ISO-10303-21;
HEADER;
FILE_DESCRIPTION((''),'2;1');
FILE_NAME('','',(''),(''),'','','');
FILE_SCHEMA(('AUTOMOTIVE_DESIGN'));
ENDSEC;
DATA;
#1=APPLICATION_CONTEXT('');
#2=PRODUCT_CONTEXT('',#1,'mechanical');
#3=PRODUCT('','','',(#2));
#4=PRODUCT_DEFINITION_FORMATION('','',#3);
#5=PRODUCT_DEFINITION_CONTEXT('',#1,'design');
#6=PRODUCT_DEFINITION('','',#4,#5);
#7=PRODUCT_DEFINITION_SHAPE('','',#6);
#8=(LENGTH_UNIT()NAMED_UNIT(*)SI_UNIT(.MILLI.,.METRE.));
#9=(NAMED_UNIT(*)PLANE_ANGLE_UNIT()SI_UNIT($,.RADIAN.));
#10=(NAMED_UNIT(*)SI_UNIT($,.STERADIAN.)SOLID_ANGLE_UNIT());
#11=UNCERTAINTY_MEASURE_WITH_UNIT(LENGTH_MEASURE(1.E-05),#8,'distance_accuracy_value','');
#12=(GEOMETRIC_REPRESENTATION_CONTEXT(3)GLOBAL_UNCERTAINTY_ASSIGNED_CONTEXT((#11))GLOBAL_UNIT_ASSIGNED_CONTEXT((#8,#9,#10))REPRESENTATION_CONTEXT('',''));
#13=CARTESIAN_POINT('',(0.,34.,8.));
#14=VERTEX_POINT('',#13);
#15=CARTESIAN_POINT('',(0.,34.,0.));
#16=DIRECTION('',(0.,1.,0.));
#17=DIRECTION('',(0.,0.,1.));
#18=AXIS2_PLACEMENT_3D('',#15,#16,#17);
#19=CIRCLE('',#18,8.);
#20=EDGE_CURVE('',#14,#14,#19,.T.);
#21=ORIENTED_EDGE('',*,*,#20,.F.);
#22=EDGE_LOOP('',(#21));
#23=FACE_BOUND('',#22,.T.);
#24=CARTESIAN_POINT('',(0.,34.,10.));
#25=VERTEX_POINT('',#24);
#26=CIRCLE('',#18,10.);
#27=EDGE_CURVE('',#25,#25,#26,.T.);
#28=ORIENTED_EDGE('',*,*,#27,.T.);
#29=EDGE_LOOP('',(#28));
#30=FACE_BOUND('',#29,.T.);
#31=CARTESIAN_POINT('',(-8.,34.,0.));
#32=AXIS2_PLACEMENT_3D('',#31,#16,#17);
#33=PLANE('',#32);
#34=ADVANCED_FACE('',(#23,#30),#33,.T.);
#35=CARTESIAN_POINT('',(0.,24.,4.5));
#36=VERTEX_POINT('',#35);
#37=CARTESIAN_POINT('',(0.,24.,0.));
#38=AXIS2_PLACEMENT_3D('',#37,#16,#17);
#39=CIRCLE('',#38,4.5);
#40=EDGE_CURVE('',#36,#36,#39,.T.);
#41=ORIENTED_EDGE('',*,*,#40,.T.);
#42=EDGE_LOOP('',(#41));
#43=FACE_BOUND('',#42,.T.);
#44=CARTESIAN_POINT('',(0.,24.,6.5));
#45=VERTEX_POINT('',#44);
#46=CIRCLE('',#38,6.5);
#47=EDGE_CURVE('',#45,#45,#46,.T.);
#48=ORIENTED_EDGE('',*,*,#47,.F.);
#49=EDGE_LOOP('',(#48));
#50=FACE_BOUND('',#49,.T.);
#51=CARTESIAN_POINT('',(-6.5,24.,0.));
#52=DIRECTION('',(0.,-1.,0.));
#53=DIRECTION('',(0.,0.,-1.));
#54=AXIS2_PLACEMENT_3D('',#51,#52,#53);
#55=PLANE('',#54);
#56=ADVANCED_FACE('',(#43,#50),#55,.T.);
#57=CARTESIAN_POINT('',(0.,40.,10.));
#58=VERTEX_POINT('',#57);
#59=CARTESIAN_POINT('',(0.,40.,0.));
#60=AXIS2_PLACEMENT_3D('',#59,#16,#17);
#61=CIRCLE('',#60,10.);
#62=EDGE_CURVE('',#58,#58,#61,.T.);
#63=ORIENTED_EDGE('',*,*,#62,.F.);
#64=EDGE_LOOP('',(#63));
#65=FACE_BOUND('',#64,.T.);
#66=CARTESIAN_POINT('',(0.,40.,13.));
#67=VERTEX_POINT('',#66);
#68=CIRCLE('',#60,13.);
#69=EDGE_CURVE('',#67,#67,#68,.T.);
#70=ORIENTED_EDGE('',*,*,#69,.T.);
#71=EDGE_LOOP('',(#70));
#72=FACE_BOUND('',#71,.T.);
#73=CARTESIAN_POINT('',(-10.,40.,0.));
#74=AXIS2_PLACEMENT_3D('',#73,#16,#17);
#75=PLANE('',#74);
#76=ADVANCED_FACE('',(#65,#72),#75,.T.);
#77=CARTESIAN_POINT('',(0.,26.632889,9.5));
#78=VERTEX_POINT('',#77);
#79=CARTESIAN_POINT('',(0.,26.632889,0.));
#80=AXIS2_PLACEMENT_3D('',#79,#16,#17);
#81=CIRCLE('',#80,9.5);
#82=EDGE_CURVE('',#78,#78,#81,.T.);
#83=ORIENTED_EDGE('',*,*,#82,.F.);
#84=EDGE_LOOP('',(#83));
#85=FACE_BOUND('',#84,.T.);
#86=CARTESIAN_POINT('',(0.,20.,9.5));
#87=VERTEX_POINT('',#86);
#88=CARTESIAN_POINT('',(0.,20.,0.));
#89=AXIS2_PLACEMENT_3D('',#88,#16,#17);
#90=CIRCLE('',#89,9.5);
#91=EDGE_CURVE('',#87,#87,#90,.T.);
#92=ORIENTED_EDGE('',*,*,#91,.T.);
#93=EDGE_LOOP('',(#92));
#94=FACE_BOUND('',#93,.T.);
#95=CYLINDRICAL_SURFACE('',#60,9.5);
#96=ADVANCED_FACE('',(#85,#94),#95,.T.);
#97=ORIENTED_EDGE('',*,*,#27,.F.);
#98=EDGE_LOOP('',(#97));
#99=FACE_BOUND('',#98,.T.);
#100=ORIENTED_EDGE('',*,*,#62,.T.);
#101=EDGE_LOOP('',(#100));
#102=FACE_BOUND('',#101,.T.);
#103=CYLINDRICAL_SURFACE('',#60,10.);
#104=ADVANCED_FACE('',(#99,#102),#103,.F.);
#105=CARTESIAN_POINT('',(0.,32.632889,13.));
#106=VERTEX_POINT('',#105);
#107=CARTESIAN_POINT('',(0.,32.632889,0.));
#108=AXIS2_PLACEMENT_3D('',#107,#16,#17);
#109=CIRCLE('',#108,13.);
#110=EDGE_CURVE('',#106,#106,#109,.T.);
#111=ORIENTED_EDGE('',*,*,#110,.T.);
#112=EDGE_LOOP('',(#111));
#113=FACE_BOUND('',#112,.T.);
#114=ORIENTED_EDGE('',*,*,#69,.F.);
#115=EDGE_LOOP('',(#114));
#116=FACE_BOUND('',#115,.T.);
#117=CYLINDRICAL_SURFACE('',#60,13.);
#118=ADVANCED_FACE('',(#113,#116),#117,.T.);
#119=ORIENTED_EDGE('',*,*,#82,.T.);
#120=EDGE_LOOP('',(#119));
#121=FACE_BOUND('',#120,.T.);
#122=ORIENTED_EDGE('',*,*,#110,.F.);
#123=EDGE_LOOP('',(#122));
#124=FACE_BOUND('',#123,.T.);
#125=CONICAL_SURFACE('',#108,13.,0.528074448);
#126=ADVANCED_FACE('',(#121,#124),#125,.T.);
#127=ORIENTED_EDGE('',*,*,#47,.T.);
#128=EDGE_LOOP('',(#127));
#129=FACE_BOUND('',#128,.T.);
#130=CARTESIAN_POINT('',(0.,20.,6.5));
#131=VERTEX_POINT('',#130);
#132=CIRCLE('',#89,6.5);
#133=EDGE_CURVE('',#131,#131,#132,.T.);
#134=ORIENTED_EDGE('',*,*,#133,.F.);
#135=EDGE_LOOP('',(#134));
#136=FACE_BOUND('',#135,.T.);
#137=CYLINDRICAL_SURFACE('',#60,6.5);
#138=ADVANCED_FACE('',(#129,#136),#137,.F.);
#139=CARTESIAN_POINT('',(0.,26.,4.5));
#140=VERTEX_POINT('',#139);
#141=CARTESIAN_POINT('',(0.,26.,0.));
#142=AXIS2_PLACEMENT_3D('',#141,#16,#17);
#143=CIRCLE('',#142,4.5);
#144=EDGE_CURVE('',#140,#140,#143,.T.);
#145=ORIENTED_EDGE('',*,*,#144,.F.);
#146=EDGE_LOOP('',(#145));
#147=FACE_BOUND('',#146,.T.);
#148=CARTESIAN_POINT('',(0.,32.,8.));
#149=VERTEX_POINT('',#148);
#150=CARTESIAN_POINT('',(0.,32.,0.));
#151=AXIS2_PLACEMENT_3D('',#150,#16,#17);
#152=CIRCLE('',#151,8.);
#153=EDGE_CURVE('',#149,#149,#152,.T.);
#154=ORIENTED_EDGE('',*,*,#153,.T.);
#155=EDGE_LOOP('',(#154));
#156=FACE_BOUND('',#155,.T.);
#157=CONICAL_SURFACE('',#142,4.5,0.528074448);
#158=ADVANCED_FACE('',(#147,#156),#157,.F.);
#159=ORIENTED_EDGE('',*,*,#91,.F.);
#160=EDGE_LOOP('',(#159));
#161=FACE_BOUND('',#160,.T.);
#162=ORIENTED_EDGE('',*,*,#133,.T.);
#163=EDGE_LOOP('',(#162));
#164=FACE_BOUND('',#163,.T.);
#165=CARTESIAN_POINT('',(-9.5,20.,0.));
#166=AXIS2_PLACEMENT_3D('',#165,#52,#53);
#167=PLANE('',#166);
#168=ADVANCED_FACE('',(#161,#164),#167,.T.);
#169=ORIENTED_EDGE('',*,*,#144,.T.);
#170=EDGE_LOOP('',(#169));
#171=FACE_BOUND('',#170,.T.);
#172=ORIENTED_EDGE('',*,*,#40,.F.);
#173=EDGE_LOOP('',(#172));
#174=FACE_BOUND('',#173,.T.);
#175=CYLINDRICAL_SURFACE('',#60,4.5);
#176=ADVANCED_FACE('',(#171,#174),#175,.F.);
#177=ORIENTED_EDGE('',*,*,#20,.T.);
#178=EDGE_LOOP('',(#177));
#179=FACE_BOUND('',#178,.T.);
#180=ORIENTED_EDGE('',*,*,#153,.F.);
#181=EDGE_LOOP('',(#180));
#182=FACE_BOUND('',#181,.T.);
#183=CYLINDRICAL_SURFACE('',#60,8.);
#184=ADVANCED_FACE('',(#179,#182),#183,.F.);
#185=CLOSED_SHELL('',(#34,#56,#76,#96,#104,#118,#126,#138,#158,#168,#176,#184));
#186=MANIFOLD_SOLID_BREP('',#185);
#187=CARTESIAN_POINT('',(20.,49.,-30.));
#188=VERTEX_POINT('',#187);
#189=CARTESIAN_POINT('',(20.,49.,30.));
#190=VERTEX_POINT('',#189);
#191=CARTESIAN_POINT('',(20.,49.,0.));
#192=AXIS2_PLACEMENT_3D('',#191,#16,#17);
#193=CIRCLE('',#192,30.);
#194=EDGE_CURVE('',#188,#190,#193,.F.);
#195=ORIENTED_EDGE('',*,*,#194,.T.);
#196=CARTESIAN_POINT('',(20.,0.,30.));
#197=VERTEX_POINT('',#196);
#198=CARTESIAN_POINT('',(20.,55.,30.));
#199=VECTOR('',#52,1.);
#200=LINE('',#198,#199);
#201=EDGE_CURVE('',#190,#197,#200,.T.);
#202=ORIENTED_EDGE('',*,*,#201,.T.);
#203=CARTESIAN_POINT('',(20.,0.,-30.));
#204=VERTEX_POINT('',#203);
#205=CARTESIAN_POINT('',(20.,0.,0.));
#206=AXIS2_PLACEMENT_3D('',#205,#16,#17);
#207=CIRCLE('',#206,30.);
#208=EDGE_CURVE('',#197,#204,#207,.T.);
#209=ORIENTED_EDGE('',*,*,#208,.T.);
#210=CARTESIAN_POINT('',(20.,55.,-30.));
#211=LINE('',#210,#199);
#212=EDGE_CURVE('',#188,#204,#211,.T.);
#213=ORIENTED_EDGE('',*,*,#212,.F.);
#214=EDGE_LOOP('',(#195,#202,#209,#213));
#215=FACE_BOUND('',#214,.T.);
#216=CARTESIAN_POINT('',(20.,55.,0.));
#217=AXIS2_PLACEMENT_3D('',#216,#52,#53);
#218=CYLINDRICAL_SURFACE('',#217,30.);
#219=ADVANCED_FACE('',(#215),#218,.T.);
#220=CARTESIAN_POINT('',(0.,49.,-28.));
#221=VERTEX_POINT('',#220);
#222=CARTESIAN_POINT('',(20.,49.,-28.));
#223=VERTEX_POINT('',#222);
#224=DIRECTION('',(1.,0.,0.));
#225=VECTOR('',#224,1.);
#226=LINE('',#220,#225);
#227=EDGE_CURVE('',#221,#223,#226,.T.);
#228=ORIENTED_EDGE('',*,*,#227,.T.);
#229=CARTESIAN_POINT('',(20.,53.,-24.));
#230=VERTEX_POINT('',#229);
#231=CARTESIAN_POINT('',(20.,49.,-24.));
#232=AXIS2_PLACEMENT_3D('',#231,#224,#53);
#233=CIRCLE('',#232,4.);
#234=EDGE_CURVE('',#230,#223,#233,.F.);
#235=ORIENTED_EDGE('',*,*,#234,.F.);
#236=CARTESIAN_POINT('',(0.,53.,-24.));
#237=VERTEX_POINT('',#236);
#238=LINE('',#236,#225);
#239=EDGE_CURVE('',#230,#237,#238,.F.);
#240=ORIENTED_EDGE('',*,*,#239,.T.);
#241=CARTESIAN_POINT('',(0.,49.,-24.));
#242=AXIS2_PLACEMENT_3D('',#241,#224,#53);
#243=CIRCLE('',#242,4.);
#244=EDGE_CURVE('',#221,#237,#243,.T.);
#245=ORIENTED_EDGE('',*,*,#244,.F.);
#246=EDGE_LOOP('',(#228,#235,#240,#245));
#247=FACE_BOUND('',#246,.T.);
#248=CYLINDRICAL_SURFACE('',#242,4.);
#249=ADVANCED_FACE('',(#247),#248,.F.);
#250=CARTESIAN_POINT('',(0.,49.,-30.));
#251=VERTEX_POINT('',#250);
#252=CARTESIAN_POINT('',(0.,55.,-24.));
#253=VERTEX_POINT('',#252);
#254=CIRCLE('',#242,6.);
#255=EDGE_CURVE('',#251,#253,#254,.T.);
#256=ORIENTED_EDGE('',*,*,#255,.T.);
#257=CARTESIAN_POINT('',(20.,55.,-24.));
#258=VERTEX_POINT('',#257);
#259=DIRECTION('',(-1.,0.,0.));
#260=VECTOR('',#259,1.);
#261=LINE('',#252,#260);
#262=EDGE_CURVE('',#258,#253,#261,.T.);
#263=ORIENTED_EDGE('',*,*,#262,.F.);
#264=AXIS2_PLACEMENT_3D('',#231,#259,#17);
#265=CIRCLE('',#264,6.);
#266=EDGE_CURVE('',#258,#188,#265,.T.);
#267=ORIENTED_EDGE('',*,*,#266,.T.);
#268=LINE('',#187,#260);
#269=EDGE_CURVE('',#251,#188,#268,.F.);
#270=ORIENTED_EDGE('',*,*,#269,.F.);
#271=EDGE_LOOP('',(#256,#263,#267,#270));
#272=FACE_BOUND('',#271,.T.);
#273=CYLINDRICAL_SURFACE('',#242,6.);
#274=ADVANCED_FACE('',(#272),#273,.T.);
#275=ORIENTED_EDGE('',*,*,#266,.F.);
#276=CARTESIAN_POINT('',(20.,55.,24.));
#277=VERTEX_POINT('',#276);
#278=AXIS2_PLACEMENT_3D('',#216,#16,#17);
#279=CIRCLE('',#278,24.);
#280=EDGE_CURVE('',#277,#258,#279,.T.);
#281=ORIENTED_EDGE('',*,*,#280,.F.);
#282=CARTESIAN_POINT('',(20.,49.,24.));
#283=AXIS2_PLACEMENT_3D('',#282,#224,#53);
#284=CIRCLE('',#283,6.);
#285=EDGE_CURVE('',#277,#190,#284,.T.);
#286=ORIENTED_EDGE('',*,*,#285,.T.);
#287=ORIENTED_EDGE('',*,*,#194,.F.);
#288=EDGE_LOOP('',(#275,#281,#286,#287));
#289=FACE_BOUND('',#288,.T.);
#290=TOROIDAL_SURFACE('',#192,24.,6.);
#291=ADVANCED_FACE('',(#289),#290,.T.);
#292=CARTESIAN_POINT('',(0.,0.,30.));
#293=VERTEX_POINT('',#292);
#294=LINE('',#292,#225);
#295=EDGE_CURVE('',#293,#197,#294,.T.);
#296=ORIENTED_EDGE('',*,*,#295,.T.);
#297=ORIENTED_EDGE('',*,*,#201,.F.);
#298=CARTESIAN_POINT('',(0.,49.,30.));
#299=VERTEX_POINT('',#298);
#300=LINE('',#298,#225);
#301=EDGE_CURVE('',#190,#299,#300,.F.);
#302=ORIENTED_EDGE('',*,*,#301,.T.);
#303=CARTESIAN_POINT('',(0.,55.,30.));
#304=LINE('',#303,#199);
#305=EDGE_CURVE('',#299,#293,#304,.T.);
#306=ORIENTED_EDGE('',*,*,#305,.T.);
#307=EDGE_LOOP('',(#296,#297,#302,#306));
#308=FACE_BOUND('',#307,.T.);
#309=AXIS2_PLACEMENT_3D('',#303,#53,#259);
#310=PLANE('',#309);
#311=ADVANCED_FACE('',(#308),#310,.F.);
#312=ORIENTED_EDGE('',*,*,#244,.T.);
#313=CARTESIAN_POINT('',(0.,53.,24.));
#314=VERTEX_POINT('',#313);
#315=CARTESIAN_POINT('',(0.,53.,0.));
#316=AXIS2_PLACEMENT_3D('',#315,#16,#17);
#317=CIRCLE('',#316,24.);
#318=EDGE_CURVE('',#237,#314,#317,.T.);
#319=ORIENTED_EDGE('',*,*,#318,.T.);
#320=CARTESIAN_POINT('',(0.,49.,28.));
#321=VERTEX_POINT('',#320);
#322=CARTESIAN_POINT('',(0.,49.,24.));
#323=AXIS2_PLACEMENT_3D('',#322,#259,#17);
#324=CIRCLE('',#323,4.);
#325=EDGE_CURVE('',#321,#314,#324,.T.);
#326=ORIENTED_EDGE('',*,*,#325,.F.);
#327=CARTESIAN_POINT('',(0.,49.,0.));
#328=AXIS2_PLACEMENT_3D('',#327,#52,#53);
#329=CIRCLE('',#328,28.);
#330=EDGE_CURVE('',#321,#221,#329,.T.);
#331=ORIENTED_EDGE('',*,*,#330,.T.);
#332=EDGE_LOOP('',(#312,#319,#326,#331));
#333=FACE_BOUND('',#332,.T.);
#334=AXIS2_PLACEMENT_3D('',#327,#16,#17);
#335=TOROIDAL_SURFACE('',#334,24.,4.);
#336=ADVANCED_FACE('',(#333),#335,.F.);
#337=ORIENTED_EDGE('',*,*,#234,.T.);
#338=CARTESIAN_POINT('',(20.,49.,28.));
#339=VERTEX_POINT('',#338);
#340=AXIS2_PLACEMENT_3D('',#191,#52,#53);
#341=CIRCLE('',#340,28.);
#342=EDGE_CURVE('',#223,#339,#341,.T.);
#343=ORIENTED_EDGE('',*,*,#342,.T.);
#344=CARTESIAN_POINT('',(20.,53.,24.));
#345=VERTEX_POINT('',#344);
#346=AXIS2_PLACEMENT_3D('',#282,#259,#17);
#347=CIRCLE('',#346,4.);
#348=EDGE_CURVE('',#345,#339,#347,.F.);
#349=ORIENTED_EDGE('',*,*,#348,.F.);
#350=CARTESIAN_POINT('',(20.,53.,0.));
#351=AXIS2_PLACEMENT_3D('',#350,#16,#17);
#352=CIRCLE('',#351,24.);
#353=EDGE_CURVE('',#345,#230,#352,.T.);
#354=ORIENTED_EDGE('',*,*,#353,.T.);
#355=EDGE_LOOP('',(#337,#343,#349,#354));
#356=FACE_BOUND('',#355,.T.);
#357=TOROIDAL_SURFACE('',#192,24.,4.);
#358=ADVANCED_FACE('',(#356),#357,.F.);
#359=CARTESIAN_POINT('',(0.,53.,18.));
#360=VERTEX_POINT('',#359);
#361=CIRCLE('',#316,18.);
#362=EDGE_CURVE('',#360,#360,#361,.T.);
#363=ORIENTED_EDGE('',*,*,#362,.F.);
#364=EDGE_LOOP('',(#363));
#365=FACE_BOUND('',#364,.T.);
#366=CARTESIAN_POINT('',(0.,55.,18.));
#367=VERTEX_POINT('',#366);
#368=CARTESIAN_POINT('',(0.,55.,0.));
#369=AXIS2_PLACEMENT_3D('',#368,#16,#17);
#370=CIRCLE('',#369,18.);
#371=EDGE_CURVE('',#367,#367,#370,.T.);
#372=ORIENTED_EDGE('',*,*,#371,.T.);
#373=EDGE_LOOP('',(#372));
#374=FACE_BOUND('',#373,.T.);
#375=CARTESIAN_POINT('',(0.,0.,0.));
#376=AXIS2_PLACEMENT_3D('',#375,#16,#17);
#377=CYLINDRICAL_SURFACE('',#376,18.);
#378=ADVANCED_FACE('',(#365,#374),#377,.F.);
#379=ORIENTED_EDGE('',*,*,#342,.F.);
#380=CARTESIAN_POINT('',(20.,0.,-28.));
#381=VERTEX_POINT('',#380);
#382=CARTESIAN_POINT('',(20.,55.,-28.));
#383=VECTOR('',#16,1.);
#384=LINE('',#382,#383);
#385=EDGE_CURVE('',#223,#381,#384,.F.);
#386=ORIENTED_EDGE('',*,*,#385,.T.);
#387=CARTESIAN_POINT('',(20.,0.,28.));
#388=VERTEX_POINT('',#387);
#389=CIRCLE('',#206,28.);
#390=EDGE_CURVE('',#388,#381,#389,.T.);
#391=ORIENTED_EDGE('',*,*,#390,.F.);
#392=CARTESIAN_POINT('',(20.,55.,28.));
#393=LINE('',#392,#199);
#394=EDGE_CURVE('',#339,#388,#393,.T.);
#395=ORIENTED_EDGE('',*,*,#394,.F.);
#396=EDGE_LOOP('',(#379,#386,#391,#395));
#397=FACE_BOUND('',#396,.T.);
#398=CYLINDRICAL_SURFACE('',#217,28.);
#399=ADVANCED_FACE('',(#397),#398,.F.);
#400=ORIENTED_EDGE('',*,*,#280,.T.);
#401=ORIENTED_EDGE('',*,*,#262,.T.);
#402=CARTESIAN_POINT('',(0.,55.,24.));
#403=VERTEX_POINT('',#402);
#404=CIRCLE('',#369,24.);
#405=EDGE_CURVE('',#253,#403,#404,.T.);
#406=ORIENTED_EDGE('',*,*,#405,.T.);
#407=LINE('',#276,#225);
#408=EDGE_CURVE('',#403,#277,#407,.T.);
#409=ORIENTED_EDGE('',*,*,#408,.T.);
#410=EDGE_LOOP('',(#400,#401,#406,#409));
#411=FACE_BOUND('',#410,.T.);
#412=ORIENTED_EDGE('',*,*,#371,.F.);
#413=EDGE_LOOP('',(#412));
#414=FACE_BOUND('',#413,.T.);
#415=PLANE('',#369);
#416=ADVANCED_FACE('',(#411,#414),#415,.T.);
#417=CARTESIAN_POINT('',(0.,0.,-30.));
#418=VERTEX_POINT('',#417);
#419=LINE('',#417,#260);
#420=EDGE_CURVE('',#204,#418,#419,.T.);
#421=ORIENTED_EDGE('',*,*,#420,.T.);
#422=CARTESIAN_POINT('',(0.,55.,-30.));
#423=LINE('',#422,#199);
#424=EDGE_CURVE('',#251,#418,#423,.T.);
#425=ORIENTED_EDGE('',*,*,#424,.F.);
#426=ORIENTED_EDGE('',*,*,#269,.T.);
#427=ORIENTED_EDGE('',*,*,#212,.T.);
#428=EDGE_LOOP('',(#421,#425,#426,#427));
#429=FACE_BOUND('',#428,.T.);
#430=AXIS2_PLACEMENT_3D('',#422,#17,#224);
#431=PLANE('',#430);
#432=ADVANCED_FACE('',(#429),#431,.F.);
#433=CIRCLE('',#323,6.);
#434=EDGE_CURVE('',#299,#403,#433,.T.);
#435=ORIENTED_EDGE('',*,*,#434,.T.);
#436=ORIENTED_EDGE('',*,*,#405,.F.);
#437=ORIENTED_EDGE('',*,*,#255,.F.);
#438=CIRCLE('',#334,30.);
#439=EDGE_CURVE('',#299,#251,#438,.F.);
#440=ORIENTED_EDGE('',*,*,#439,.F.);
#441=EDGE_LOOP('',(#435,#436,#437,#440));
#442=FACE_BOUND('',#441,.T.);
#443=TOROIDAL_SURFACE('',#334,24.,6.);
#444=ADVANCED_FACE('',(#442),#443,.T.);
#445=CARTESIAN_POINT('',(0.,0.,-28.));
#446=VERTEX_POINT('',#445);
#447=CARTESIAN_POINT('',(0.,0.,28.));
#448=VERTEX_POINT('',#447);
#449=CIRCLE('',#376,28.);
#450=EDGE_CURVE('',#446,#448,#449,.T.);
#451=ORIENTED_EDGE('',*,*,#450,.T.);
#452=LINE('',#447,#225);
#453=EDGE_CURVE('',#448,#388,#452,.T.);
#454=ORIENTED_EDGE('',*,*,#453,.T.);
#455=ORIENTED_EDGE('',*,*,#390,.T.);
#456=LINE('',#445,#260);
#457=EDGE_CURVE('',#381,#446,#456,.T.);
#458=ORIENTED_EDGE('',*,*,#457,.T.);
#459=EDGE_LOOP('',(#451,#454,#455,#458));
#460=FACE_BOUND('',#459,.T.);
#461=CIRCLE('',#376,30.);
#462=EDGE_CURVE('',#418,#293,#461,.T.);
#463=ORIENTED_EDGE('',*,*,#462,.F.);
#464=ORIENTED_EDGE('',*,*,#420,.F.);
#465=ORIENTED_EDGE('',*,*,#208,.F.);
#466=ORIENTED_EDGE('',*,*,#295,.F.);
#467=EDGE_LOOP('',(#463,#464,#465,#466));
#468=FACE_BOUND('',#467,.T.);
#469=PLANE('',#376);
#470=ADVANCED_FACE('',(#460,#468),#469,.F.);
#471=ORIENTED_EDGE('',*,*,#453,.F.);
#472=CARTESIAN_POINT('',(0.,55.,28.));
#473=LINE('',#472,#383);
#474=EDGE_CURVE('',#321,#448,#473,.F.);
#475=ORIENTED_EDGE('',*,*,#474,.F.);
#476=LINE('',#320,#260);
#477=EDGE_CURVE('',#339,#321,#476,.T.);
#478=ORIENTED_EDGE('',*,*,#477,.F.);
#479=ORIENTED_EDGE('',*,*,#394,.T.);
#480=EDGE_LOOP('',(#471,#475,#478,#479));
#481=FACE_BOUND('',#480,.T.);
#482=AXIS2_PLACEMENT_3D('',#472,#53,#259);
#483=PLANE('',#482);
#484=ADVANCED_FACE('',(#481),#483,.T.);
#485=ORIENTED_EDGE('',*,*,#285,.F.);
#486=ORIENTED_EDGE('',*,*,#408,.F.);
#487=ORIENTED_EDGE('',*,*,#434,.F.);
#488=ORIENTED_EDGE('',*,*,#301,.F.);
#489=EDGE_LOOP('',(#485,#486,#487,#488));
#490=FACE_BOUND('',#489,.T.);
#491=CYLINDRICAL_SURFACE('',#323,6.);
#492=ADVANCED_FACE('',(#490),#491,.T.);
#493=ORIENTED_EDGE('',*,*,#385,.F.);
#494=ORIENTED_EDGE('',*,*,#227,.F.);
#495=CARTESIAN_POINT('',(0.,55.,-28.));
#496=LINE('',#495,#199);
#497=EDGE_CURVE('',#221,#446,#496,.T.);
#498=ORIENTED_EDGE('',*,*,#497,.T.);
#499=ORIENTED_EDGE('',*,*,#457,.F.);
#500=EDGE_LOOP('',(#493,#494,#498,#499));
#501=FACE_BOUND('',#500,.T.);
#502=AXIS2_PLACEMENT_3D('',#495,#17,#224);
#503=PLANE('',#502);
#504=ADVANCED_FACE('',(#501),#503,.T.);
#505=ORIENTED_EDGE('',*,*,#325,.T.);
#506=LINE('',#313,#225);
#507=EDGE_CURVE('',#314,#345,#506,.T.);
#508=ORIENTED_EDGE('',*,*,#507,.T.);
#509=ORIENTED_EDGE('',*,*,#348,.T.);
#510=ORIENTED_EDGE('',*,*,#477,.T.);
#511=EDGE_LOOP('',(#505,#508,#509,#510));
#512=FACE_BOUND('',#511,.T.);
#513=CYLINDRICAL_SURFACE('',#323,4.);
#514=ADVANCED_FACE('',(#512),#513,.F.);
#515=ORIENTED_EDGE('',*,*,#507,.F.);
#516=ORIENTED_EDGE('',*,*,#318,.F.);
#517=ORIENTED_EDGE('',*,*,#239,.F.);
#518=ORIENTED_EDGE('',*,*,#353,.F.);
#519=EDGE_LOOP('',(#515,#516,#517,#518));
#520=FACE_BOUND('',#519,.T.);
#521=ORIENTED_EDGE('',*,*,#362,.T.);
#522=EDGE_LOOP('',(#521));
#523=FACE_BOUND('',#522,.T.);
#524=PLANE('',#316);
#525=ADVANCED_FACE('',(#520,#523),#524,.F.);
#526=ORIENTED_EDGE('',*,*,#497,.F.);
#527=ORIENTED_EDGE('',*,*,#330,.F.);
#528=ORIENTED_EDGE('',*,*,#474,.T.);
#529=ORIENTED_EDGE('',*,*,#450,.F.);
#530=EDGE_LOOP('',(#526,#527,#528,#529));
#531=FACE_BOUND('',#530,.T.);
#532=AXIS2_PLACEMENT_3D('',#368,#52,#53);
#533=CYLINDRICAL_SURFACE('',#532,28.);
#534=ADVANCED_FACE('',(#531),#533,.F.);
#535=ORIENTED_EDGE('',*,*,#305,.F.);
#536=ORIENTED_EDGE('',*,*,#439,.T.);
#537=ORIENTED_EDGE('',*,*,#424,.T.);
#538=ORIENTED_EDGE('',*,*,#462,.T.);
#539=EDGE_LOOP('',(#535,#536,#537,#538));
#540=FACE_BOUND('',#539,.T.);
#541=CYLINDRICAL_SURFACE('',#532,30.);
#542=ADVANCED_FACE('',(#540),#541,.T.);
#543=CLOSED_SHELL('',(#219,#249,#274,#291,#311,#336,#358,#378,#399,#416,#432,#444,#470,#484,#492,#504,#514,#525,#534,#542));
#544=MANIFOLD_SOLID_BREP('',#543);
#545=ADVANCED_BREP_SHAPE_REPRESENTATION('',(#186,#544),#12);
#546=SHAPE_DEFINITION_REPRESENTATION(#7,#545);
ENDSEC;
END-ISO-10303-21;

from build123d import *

# Parameters (mm, degrees)
EXTRUDE_1_DEPTH     = 55
FILLET_1_R          = 6
SHELL_1_T           = -2
SKETCH_2_R          = 18
CUT_EXTRUDE_1_DEPTH = 56


with BuildPart() as part:
    # 草图1 → 凸台-拉伸1 (new body)
    with BuildSketch(Plane(origin=(0, 0, 0), x_dir=(1, 0, 0), z_dir=(0, 1, 0))):
        with BuildLine():
            Line((0, 30), (20, 30))
            ThreePointArc((20, 30), (50, 0), (20, -30))
            Line((20, -30), (0, -30))
            ThreePointArc((0, -30), (-30, 0), (0, 30))
        make_face()
    extrude(amount=EXTRUDE_1_DEPTH)

    # 圆角1
    fillet_1_edges = [part.edges().sort_by_distance(p)[0] for p in [
        (50, 55, 0),
        (10, 55, -30),
        (-30, 55, 0),
        (10, 55, 30),
    ]]
    fillet(fillet_1_edges, radius=FILLET_1_R)

    # 抽壳1
    shell_1_openings = [part.faces().sort_by_distance(p)[0] for p in [
        (10, 0, 0),
    ]]
    offset(amount=SHELL_1_T, openings=shell_1_openings, kind=Kind.INTERSECTION)

    # 草图2 → 切除-拉伸1 (cut, through all)
    with BuildSketch(Plane(origin=(0, 55, 0), x_dir=(1, 0, 0), z_dir=(0, 1, 0))):
        Circle(SKETCH_2_R)
    extrude(amount=-CUT_EXTRUDE_1_DEPTH, mode=Mode.SUBTRACT)


with BuildPart() as body_2:
    # 草图3 → 旋转1 (revolve)
    with BuildSketch(Plane.XY):
        Polygon((-10, 40), (-13, 40), (-13, 32.632889149), (-9.5, 26.632889149), (-9.5, 20), (-6.5, 20), (-6.5, 24), (-4.5, 24), (-4.5, 26), (-8, 32), (-8, 34), (-10, 34), align=None)
    revolve(axis=Axis((0, 40, 0), (0, -1, 0)))


solid = Compound([part.part, body_2.part])
